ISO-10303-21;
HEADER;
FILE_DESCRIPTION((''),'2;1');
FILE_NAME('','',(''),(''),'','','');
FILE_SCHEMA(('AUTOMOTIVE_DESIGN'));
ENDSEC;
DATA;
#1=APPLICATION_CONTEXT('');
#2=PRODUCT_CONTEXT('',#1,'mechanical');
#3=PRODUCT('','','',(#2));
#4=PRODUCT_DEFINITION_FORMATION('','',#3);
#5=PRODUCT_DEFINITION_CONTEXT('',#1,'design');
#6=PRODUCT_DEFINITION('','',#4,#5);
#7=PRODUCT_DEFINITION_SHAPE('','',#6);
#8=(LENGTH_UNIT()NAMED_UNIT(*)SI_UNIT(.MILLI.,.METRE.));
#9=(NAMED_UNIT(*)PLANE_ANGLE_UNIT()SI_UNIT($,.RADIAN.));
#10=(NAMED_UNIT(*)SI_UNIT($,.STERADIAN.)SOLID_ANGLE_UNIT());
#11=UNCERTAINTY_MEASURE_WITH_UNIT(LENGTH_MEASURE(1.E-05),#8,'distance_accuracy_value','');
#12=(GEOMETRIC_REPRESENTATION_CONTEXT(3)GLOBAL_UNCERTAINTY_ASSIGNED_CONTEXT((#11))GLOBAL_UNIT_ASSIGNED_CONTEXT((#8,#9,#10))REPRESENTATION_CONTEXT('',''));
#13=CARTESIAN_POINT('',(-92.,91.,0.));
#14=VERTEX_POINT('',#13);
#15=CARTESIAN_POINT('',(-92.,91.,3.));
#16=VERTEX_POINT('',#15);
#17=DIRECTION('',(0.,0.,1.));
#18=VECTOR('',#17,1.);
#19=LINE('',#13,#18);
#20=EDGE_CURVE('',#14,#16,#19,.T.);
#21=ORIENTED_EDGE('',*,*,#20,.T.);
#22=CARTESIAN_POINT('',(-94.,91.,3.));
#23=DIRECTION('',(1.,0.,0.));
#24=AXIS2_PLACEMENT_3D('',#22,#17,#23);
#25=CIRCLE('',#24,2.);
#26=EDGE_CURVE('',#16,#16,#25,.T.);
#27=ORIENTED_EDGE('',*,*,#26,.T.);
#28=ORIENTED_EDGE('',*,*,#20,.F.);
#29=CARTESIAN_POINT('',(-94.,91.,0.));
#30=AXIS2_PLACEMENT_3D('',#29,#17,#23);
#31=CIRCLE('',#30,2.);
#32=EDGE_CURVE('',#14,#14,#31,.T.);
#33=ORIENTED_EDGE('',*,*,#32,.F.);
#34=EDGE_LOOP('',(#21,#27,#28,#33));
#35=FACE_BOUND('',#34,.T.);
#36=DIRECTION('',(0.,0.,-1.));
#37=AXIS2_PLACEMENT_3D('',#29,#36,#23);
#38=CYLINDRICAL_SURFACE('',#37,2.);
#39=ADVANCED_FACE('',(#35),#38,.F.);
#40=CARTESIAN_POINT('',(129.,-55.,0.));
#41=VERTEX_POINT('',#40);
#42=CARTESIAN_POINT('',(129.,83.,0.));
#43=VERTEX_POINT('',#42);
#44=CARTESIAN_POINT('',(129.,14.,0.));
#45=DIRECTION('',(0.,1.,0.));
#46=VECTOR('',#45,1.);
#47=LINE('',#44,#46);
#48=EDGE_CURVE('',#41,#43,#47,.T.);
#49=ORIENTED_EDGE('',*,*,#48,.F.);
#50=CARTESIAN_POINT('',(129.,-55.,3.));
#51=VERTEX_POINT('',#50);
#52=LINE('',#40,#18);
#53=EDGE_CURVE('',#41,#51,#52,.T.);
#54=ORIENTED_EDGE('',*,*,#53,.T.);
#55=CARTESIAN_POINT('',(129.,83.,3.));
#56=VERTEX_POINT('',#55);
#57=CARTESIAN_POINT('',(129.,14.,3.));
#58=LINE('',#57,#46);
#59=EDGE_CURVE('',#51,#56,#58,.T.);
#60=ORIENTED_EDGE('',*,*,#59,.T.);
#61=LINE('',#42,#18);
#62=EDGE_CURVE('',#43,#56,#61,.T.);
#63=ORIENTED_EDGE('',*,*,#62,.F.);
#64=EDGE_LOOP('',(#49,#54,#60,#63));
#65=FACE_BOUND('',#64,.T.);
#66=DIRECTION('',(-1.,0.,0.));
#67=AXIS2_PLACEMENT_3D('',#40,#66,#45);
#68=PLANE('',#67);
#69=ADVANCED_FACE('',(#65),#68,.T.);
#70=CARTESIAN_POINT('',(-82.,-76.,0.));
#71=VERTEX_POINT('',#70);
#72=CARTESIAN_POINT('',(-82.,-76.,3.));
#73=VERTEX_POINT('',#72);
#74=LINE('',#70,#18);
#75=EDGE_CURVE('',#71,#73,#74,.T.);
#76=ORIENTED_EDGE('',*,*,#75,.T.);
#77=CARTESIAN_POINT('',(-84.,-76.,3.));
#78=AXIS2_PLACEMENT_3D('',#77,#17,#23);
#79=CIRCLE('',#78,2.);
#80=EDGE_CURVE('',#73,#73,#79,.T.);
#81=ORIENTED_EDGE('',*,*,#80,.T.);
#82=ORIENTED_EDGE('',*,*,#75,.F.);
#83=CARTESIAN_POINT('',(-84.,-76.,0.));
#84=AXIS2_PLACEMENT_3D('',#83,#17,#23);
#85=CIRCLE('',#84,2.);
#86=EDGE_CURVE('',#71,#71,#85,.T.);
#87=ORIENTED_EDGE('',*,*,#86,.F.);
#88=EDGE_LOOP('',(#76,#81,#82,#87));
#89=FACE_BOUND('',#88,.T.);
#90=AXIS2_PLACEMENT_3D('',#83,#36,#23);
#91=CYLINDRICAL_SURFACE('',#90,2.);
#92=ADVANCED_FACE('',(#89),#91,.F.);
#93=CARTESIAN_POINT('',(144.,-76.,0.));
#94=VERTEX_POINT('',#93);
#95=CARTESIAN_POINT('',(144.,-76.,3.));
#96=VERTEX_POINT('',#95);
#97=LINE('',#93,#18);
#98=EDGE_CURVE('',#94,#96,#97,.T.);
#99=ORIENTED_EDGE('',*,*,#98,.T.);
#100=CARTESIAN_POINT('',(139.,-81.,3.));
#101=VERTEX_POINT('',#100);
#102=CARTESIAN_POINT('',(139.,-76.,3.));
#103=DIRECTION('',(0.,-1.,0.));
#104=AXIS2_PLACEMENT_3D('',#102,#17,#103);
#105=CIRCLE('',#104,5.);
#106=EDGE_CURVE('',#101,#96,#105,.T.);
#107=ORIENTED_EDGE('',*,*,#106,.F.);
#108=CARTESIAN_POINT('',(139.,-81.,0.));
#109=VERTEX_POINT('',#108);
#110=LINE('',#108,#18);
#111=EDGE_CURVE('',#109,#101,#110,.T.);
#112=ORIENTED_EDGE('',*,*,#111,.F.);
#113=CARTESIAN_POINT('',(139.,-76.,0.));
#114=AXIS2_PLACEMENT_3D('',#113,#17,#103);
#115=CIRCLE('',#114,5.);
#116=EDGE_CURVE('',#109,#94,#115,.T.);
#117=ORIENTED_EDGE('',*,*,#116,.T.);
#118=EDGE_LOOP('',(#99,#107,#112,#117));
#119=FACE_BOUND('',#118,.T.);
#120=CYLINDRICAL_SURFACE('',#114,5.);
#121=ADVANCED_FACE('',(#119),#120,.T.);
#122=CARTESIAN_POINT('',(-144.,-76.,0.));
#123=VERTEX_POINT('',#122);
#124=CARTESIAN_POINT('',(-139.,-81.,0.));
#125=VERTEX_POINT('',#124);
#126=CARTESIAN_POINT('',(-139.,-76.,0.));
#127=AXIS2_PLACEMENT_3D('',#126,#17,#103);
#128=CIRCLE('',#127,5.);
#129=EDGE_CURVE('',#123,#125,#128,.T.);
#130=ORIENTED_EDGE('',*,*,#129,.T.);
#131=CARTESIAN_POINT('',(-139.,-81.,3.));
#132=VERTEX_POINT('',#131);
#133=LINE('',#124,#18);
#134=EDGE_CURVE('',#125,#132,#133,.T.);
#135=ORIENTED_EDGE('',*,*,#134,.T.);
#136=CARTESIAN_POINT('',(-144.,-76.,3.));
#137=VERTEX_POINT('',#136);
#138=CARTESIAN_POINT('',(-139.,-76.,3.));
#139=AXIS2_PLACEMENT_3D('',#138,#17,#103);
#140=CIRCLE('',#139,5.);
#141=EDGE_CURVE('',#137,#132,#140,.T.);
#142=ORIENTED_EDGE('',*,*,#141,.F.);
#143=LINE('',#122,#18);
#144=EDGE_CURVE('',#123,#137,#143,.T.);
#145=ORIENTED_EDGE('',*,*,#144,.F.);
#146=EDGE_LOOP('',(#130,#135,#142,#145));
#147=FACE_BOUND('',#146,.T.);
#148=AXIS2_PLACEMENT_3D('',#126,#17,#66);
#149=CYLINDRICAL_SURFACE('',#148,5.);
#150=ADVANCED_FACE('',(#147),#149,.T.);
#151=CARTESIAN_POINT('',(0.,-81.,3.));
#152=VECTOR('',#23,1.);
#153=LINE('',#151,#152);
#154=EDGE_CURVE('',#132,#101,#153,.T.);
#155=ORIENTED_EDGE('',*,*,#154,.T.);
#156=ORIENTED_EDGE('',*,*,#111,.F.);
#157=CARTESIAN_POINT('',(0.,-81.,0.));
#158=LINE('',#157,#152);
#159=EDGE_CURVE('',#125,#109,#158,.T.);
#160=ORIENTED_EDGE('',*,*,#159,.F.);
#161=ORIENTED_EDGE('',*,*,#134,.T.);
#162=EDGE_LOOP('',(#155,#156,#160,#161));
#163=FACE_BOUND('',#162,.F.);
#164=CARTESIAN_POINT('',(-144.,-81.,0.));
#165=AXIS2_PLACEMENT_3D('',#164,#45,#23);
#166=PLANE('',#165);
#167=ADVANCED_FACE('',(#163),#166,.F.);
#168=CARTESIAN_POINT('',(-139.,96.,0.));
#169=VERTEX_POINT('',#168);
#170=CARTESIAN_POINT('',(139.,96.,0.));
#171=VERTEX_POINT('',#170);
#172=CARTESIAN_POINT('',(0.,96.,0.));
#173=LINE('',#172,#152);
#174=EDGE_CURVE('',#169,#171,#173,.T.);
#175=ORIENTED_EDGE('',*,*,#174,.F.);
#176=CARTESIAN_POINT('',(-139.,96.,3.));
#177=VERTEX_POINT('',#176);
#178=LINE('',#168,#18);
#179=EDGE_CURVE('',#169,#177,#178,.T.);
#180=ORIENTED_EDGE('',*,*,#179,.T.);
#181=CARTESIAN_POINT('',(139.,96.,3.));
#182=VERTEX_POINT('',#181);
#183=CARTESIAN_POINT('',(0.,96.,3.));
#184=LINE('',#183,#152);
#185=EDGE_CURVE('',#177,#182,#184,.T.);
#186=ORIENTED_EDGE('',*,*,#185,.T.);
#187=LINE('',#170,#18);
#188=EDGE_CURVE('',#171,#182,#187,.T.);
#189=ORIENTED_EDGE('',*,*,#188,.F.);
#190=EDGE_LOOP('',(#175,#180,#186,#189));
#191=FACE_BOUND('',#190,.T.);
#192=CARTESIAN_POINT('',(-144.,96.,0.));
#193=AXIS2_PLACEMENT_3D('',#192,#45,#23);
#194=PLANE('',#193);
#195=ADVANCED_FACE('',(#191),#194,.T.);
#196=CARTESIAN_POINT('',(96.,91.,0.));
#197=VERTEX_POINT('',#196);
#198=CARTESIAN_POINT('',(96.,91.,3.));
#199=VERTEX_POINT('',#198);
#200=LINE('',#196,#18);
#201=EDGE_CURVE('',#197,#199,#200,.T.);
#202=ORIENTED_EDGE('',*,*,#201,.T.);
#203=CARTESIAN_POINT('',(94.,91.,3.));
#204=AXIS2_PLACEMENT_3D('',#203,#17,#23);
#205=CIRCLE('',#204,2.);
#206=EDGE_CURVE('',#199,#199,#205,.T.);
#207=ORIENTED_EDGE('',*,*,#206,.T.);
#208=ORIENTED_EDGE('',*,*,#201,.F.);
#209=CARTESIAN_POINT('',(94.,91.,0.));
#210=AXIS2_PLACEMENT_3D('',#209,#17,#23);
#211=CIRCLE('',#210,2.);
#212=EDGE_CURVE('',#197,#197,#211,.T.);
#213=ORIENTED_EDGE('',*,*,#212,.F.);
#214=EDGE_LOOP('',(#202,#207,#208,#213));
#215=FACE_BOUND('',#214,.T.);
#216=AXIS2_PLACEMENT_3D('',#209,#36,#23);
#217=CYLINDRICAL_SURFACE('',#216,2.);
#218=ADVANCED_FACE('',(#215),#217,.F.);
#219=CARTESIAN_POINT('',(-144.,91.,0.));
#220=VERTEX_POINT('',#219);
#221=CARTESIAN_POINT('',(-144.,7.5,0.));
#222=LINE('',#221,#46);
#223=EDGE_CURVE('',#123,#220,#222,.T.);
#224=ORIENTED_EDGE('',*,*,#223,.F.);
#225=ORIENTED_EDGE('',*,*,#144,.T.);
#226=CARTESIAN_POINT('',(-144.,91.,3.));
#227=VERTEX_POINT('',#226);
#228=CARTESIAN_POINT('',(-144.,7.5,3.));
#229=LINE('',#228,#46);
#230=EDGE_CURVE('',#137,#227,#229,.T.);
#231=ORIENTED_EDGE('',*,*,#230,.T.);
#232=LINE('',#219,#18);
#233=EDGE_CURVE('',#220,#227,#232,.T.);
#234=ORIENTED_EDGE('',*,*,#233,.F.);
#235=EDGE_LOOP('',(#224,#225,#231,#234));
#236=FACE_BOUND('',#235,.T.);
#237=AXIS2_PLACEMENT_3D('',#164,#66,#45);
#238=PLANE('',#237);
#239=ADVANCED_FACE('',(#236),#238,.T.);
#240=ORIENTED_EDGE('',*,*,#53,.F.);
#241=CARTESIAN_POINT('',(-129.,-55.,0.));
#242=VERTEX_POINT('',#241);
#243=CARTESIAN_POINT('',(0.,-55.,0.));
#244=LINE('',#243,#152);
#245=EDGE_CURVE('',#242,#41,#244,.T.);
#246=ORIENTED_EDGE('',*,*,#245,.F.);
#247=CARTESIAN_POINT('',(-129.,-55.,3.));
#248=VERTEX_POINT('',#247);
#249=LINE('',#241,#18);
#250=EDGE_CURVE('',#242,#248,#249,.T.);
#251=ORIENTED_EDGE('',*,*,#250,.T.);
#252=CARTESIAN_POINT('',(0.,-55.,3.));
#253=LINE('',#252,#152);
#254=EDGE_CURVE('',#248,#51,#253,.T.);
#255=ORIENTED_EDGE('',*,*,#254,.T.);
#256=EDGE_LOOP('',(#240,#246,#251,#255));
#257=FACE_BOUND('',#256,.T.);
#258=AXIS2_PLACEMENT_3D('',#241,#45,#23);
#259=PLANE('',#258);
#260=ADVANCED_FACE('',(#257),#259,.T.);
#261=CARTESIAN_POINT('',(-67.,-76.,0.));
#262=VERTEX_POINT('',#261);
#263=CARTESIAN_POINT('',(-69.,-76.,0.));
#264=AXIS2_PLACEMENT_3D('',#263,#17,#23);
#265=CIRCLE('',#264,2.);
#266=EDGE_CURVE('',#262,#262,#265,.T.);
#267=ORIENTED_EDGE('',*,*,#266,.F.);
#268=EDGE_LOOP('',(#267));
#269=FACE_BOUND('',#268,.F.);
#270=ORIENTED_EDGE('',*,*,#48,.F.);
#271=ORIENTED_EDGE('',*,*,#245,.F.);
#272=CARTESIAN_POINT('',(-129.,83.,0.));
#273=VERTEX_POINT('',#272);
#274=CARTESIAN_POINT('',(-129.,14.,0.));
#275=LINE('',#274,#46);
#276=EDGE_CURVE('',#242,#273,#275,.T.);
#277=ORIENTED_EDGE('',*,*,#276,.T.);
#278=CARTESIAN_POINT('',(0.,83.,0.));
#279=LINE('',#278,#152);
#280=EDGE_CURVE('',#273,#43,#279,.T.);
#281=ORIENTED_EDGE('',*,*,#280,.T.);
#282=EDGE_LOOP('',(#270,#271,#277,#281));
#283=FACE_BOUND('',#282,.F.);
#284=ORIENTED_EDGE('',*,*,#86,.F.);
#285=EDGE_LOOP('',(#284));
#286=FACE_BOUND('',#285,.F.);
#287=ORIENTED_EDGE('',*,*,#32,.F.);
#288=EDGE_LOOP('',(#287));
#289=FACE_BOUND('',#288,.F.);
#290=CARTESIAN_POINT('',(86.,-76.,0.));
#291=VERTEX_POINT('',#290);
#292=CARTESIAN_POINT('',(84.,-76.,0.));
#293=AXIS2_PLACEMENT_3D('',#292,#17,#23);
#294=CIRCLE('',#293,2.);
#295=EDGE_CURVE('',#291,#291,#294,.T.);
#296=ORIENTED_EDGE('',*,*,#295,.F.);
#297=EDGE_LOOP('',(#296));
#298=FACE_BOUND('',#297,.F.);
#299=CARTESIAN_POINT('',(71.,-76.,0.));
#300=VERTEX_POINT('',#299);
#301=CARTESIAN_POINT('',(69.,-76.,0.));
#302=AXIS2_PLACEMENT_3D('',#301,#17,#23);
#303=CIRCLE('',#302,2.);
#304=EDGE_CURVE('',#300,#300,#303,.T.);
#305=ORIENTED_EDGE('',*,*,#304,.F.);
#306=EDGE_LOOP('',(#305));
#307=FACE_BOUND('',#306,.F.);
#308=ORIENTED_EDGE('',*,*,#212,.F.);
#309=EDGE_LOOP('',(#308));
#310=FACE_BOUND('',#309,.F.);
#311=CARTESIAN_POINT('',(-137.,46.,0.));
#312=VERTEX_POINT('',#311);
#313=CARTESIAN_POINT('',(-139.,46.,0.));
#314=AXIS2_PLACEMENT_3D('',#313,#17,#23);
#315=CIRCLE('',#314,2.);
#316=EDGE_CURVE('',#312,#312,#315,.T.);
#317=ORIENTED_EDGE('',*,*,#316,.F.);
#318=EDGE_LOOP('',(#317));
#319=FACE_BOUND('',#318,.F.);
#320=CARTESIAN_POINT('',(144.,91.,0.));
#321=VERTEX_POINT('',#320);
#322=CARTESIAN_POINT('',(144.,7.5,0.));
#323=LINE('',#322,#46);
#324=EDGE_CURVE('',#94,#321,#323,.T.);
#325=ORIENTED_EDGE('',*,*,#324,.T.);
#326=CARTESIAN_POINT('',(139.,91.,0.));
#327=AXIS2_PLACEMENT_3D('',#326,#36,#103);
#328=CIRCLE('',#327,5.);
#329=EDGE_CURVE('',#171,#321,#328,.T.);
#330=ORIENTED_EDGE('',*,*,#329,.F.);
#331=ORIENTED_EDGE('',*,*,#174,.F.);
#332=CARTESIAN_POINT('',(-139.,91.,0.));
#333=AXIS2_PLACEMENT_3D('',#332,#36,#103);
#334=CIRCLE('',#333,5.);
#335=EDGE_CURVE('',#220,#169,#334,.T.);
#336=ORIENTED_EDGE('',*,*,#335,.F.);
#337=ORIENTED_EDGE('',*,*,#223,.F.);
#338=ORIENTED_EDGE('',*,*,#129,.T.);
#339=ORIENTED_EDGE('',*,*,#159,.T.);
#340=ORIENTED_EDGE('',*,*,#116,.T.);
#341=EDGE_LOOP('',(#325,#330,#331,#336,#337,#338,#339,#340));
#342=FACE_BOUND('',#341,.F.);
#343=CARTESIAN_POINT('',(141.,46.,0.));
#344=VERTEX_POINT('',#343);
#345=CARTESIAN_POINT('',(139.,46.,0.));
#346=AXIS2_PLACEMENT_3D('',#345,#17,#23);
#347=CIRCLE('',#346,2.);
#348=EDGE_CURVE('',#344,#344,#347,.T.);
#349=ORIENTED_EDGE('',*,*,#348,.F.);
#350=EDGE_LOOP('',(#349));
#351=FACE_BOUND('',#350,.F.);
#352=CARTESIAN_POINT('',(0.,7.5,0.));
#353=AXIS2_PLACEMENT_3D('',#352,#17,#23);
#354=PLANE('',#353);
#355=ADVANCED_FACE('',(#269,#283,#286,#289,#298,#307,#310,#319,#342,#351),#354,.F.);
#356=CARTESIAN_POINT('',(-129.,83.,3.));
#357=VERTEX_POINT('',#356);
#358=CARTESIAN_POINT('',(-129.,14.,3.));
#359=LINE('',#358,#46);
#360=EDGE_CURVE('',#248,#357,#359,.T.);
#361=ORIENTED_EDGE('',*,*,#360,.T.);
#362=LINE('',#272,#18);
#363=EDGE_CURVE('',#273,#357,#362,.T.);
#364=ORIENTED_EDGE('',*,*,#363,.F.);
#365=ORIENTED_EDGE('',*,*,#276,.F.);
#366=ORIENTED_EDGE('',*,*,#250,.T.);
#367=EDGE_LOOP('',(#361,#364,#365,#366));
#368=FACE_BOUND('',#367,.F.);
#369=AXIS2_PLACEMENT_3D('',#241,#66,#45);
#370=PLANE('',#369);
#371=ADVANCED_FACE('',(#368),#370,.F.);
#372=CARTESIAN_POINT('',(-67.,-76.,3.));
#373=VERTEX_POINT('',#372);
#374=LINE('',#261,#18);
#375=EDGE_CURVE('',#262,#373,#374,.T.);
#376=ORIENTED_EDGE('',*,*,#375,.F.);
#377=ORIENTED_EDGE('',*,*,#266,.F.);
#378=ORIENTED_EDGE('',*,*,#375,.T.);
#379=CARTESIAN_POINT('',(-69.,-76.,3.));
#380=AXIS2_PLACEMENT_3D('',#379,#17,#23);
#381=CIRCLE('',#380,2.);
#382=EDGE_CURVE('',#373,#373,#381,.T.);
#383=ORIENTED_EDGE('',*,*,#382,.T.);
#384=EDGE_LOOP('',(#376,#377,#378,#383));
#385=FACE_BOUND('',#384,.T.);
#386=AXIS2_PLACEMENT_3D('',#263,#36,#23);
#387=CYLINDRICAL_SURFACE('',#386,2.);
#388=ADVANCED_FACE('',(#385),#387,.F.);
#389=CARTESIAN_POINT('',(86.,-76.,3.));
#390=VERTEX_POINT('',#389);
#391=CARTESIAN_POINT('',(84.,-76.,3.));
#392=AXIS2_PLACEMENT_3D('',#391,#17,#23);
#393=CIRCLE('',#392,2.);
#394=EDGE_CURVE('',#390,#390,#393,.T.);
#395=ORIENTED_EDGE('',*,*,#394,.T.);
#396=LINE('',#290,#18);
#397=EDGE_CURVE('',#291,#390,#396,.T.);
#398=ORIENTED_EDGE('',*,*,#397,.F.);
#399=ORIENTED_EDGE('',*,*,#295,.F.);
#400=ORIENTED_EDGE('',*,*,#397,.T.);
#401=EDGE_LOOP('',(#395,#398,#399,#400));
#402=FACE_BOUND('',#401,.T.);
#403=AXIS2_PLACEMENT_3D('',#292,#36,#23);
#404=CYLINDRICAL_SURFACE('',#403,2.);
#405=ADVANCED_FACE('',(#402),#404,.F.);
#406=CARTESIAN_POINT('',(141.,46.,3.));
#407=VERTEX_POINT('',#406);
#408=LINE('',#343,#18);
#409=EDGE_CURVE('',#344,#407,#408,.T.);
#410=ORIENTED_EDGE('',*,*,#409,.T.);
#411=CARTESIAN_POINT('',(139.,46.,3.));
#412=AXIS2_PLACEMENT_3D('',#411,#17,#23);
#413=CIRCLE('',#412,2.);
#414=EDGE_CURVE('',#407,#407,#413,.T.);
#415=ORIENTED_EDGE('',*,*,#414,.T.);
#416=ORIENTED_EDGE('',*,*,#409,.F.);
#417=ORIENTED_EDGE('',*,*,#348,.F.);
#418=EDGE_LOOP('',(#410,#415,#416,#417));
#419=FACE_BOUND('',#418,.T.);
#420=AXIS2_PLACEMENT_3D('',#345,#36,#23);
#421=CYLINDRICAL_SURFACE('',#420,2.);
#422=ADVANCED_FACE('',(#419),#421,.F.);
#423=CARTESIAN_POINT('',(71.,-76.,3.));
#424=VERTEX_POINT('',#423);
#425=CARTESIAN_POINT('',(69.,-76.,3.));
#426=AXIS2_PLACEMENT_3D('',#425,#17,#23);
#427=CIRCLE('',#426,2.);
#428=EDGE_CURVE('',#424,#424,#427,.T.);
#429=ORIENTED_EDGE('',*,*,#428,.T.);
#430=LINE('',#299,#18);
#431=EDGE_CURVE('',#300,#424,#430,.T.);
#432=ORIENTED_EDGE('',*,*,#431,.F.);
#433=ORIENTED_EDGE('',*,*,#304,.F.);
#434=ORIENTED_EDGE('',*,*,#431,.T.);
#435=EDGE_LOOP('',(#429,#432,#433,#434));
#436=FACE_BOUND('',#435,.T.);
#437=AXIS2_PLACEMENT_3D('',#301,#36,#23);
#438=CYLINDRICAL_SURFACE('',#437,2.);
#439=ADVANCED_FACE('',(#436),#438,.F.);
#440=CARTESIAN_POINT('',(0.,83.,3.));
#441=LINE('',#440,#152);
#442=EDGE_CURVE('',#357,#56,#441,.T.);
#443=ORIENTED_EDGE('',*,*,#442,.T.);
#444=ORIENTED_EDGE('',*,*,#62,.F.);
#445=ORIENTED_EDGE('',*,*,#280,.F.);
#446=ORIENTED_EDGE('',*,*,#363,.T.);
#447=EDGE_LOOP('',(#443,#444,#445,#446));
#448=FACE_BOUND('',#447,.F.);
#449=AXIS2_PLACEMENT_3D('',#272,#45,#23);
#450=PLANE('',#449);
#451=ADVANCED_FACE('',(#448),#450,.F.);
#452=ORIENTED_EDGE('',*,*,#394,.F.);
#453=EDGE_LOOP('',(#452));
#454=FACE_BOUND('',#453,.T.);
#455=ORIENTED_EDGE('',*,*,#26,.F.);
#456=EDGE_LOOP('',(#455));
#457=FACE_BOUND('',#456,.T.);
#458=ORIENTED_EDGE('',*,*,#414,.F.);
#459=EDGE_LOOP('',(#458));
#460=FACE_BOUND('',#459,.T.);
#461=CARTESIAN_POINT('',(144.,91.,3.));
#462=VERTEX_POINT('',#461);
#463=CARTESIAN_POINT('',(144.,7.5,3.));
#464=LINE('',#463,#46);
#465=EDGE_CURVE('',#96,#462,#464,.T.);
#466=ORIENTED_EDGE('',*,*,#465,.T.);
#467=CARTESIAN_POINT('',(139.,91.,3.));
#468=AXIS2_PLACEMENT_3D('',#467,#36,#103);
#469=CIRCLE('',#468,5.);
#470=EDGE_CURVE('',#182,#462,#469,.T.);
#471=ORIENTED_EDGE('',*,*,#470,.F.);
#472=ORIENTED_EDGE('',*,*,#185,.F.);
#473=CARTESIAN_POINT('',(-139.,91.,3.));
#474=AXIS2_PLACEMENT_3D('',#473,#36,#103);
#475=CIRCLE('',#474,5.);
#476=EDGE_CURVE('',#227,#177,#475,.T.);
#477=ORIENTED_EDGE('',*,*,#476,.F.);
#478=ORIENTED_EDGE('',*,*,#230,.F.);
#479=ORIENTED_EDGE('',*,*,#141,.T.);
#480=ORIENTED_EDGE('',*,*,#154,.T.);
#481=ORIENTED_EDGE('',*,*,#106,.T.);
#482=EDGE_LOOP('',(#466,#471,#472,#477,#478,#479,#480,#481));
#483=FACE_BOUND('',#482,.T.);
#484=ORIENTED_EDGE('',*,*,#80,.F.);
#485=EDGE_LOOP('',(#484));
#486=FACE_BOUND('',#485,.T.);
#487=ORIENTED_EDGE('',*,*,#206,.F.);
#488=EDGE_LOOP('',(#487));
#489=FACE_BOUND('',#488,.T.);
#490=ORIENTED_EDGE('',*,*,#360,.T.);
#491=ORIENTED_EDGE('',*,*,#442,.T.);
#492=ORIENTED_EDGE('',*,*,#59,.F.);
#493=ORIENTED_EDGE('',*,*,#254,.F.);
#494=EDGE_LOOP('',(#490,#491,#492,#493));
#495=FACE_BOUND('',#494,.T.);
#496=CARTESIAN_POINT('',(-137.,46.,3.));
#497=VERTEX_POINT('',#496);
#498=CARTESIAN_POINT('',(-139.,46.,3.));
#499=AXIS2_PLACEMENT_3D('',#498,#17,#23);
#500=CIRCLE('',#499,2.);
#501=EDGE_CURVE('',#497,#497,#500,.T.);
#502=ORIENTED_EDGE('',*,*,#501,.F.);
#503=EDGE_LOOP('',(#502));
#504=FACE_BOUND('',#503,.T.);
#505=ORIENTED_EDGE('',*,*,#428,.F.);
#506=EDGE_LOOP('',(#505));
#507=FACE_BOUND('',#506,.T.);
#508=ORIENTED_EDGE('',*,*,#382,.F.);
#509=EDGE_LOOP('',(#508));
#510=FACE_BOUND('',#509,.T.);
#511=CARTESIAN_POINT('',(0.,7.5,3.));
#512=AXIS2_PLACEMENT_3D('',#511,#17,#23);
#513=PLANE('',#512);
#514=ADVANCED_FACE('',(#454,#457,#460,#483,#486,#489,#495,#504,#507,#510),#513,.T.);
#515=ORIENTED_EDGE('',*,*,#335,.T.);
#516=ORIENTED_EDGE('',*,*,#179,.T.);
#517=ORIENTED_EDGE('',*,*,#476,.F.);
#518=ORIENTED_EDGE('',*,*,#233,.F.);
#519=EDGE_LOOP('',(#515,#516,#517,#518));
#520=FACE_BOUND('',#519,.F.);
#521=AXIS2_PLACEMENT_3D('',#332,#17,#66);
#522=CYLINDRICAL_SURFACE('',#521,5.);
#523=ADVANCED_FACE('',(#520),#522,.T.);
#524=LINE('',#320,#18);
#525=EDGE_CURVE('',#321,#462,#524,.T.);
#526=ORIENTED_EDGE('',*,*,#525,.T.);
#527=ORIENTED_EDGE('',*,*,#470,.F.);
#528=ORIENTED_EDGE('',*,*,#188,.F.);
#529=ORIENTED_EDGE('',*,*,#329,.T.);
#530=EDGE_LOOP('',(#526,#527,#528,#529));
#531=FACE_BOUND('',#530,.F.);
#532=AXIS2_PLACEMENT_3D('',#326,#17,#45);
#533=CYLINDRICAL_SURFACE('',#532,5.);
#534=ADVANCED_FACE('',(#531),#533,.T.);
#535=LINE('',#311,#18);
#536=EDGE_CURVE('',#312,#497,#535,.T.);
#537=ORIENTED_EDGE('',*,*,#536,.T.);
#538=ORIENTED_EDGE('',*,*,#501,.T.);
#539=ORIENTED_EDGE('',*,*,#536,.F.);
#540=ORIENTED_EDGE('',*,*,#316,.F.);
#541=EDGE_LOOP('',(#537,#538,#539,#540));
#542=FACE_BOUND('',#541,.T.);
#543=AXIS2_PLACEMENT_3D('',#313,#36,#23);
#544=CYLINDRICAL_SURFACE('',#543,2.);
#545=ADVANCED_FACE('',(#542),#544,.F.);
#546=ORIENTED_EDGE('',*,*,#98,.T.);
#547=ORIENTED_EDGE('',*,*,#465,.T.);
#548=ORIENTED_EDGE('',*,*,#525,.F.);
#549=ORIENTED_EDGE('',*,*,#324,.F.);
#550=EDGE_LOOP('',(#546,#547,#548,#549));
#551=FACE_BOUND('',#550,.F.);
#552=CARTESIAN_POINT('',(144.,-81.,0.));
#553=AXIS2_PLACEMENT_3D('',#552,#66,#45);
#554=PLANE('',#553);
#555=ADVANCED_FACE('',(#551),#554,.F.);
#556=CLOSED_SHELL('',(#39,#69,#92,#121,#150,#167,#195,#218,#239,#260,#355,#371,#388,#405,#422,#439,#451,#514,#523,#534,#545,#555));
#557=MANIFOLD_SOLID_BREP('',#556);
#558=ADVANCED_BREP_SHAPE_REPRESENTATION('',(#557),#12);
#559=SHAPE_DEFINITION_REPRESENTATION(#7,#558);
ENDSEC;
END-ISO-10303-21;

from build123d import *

# Parameters (mm, degrees)
F0_W     = 288
F0_H     = 177
F0_R     = 2
F0_W_2   = 258
F0_H_2   = 138
F1_DEPTH = 3
F2_R     = 5


with BuildPart() as f1:
    # F0 (on Top) → F1 (new body)
    with BuildSketch(Plane.XY):
        with Locations((0, 7.5)):
            Rectangle(F0_W, F0_H)
        with Locations((-84, -76)):
            Circle(F0_R, mode=Mode.SUBTRACT)
        with Locations((-69, -76)):
            Circle(F0_R, mode=Mode.SUBTRACT)
        with Locations((69, -76)):
            Circle(F0_R, mode=Mode.SUBTRACT)
        with Locations((84, -76)):
            Circle(F0_R, mode=Mode.SUBTRACT)
        with Locations((-139, 46)):
            Circle(F0_R, mode=Mode.SUBTRACT)
        with Locations((-94, 91)):
            Circle(F0_R, mode=Mode.SUBTRACT)
        with Locations((0, 14)):
            Rectangle(F0_W_2, F0_H_2, mode=Mode.SUBTRACT)
        with Locations((139, 46)):
            Circle(F0_R, mode=Mode.SUBTRACT)
        with Locations((94, 91)):
            Circle(F0_R, mode=Mode.SUBTRACT)
    extrude(amount=F1_DEPTH)

    # F2
    f2_edges = [f1.edges().sort_by_distance(p)[0] for p in [
        (-144, 96, 1.5),
        (-144, -81, 1.5),
        (144, -81, 1.5),
        (144, 96, 1.5),
    ]]
    fillet(f2_edges, radius=F2_R)


solid = f1.part
